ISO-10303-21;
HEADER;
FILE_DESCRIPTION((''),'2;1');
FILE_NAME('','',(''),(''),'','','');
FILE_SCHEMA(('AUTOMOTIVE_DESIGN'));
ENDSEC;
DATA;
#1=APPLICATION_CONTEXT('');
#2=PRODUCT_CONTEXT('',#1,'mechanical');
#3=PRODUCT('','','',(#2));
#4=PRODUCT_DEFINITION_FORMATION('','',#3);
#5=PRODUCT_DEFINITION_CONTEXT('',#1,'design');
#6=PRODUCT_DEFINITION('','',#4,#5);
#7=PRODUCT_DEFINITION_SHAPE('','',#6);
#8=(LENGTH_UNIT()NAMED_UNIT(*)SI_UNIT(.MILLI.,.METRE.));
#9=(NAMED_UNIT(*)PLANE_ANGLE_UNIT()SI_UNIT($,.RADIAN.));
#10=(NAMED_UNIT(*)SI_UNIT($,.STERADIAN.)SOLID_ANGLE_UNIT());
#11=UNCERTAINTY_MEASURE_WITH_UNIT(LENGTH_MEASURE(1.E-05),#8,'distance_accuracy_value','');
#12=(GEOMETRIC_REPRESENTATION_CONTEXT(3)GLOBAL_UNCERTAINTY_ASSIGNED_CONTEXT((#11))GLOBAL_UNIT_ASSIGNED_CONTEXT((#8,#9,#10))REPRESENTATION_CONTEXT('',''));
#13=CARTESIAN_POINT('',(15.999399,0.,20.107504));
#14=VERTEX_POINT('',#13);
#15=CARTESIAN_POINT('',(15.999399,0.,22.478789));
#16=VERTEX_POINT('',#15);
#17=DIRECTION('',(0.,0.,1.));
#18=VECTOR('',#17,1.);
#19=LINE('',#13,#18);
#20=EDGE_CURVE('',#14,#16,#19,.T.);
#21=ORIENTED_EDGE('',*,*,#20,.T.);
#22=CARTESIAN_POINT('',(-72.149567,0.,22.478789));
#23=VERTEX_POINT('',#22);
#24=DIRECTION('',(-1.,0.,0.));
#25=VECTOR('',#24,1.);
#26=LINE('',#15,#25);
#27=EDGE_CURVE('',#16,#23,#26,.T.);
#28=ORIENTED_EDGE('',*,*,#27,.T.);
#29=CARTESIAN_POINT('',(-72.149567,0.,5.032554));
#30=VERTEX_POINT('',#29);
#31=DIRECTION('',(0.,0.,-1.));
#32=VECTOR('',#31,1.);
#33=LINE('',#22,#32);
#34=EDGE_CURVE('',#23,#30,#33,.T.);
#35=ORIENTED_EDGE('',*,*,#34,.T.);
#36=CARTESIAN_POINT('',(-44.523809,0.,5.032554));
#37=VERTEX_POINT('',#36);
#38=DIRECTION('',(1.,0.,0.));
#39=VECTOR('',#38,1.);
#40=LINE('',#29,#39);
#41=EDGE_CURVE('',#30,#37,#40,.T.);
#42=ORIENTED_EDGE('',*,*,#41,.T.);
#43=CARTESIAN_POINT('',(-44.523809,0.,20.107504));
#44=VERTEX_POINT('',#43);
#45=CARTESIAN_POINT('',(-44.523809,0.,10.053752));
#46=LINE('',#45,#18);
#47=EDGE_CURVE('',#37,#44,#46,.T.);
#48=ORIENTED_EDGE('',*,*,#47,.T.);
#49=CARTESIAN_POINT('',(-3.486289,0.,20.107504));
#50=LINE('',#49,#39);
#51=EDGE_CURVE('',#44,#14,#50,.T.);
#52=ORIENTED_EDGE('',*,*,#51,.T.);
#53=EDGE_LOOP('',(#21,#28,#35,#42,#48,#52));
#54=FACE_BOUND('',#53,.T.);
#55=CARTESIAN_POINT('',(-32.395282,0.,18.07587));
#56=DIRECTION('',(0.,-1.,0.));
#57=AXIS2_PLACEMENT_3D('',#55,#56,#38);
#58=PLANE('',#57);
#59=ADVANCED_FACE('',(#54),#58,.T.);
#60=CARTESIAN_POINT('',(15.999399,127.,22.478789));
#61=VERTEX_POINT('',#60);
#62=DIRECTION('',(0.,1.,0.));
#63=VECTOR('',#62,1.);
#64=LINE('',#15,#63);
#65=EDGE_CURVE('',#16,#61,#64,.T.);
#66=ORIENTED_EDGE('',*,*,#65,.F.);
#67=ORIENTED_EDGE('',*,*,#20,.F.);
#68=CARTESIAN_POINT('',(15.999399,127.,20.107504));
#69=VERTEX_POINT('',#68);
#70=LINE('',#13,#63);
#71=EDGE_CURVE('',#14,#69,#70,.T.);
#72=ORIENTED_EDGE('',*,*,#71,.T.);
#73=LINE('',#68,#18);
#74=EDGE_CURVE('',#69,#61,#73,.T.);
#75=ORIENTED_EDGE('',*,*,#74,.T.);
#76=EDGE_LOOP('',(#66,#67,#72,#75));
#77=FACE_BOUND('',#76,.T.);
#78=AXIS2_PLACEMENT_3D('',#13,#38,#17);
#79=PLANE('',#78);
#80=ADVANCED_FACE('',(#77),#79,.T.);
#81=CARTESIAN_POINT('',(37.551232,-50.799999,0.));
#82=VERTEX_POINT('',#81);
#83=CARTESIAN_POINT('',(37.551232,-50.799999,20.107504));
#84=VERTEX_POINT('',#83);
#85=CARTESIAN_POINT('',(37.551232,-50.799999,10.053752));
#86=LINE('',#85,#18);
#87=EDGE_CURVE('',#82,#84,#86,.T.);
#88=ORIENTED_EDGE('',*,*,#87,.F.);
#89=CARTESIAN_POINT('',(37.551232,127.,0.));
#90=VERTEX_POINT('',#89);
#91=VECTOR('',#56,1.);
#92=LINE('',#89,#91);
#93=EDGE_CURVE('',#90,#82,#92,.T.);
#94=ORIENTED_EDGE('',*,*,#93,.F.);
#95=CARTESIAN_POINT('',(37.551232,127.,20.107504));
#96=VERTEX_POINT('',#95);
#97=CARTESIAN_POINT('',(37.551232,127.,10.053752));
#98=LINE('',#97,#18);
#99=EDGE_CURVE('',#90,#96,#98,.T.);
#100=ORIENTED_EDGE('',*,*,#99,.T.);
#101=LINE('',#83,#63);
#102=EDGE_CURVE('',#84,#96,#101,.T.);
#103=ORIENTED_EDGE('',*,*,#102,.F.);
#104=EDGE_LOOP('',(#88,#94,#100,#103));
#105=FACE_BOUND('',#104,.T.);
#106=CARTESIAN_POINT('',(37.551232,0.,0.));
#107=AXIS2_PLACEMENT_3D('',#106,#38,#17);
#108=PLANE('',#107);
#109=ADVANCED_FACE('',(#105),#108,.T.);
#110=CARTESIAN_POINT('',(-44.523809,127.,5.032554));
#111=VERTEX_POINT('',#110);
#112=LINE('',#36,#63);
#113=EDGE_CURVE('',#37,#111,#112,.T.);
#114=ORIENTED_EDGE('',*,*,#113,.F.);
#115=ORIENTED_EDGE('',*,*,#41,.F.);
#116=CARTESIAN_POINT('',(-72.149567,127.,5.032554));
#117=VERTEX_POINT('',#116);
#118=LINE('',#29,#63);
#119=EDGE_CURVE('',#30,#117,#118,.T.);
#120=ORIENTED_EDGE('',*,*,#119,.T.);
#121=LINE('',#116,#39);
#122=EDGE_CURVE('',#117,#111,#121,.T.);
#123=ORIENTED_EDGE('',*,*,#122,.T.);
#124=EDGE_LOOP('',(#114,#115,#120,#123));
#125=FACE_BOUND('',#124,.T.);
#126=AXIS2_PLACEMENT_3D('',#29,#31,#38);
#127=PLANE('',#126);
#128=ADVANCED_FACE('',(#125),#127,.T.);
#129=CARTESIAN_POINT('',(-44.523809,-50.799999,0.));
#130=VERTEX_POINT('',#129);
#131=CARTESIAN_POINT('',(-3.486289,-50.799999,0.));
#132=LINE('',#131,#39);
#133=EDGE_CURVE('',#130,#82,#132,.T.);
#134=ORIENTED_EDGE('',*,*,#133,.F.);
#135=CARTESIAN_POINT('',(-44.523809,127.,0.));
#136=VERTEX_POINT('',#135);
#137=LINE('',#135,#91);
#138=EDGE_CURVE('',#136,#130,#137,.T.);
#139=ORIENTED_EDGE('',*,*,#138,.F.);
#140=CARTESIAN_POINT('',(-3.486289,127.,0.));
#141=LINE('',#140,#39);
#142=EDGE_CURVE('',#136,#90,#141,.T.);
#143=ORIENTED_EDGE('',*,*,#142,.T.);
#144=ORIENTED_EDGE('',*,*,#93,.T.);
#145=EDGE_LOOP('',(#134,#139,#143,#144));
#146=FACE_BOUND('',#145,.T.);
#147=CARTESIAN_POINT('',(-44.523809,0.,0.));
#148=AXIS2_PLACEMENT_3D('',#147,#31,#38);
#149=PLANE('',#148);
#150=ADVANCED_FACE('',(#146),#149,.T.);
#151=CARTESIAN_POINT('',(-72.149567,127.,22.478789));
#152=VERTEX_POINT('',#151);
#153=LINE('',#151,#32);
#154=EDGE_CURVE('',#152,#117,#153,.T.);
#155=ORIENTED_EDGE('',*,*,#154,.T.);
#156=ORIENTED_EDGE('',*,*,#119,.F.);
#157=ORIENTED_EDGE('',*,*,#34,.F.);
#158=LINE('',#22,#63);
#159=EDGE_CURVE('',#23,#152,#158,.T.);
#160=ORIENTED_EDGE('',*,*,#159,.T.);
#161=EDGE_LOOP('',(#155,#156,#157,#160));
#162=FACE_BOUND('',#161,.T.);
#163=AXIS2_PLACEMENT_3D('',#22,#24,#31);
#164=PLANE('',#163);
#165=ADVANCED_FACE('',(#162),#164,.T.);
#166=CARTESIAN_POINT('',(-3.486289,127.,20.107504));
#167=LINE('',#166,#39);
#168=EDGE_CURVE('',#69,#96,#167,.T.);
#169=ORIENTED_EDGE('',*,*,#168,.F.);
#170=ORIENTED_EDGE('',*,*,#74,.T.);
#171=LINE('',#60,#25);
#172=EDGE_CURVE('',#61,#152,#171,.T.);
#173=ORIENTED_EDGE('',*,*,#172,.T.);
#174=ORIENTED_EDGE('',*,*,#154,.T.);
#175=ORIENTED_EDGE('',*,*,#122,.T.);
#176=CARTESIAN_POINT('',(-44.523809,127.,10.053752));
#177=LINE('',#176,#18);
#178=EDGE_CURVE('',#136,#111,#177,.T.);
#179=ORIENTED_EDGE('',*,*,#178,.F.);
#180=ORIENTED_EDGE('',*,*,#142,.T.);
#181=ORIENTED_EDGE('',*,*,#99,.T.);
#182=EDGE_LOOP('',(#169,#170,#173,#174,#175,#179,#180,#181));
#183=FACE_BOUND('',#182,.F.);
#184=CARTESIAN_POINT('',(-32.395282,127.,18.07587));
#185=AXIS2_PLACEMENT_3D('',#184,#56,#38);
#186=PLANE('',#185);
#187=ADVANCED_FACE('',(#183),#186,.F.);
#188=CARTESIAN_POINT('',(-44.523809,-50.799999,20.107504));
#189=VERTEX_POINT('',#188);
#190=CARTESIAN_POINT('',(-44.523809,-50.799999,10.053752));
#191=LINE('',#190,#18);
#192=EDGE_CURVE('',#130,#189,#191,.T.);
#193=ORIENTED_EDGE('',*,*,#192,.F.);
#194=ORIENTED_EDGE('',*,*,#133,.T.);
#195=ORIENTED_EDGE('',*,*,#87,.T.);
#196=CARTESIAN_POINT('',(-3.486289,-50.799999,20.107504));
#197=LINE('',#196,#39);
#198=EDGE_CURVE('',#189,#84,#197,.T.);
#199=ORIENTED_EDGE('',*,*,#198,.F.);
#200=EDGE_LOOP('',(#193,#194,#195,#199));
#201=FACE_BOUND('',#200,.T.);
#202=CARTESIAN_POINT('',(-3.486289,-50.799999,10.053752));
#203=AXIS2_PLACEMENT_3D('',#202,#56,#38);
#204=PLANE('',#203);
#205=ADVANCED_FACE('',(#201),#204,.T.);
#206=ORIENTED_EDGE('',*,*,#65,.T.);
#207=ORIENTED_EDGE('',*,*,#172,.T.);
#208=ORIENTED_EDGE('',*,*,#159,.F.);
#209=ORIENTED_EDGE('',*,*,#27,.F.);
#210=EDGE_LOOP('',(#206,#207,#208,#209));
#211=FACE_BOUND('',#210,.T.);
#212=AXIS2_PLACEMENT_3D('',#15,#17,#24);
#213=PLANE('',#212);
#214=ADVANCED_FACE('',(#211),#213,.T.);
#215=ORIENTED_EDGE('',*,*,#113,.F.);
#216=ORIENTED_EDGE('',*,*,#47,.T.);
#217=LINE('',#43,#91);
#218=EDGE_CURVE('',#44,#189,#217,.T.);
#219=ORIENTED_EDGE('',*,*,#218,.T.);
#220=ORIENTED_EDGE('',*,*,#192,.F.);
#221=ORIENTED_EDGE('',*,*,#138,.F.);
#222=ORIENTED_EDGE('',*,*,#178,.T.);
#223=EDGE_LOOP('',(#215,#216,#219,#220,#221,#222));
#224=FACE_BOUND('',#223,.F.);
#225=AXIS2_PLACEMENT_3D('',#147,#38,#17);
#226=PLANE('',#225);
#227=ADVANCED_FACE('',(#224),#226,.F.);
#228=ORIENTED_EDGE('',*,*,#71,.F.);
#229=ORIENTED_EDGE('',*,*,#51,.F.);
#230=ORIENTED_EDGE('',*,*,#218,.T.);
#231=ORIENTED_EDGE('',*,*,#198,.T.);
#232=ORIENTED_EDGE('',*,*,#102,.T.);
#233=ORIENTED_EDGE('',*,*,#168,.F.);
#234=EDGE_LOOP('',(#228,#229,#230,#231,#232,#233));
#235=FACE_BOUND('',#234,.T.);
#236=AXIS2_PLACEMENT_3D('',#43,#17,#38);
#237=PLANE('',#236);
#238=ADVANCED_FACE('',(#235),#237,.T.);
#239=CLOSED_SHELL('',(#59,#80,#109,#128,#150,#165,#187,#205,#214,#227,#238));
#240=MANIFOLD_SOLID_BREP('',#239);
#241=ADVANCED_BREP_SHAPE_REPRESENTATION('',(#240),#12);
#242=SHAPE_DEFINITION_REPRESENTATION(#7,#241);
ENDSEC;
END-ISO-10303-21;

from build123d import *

# Parameters (mm, degrees)
F1_W     = 82.0750407875
F1_H     = 20.1075039804
F2_DEPTH = 50.7999993861
F0_W     = 82.0750407875
F0_H     = 20.1075039804
F4_DEPTH = 127


with BuildPart() as f2:
    # F1 (on face) → F2 (new body)
    with BuildSketch(Plane.XZ):
        with Locations((-3.4862887114, 10.0537519902)):
            Rectangle(F1_W, F1_H)
    extrude(amount=F2_DEPTH)

    # F3 (on face) + F0 (on Front) → F4 (join)
    with BuildSketch(Plane.XZ):
        Polygon((-72.149567306, 5.0325542688), (-44.5238091052, 5.0325542688), (-44.5238091052, 20.1075039804), (15.9993991256, 20.1075039804), (15.9993991256, 22.4787890911), (-72.149567306, 22.4787890911), align=None)
    with BuildSketch(Plane.XZ):
        with Locations((-3.4862887114, 10.0537519902)):
            Rectangle(F0_W, F0_H)
    extrude(amount=-F4_DEPTH)


solid = f2.part
